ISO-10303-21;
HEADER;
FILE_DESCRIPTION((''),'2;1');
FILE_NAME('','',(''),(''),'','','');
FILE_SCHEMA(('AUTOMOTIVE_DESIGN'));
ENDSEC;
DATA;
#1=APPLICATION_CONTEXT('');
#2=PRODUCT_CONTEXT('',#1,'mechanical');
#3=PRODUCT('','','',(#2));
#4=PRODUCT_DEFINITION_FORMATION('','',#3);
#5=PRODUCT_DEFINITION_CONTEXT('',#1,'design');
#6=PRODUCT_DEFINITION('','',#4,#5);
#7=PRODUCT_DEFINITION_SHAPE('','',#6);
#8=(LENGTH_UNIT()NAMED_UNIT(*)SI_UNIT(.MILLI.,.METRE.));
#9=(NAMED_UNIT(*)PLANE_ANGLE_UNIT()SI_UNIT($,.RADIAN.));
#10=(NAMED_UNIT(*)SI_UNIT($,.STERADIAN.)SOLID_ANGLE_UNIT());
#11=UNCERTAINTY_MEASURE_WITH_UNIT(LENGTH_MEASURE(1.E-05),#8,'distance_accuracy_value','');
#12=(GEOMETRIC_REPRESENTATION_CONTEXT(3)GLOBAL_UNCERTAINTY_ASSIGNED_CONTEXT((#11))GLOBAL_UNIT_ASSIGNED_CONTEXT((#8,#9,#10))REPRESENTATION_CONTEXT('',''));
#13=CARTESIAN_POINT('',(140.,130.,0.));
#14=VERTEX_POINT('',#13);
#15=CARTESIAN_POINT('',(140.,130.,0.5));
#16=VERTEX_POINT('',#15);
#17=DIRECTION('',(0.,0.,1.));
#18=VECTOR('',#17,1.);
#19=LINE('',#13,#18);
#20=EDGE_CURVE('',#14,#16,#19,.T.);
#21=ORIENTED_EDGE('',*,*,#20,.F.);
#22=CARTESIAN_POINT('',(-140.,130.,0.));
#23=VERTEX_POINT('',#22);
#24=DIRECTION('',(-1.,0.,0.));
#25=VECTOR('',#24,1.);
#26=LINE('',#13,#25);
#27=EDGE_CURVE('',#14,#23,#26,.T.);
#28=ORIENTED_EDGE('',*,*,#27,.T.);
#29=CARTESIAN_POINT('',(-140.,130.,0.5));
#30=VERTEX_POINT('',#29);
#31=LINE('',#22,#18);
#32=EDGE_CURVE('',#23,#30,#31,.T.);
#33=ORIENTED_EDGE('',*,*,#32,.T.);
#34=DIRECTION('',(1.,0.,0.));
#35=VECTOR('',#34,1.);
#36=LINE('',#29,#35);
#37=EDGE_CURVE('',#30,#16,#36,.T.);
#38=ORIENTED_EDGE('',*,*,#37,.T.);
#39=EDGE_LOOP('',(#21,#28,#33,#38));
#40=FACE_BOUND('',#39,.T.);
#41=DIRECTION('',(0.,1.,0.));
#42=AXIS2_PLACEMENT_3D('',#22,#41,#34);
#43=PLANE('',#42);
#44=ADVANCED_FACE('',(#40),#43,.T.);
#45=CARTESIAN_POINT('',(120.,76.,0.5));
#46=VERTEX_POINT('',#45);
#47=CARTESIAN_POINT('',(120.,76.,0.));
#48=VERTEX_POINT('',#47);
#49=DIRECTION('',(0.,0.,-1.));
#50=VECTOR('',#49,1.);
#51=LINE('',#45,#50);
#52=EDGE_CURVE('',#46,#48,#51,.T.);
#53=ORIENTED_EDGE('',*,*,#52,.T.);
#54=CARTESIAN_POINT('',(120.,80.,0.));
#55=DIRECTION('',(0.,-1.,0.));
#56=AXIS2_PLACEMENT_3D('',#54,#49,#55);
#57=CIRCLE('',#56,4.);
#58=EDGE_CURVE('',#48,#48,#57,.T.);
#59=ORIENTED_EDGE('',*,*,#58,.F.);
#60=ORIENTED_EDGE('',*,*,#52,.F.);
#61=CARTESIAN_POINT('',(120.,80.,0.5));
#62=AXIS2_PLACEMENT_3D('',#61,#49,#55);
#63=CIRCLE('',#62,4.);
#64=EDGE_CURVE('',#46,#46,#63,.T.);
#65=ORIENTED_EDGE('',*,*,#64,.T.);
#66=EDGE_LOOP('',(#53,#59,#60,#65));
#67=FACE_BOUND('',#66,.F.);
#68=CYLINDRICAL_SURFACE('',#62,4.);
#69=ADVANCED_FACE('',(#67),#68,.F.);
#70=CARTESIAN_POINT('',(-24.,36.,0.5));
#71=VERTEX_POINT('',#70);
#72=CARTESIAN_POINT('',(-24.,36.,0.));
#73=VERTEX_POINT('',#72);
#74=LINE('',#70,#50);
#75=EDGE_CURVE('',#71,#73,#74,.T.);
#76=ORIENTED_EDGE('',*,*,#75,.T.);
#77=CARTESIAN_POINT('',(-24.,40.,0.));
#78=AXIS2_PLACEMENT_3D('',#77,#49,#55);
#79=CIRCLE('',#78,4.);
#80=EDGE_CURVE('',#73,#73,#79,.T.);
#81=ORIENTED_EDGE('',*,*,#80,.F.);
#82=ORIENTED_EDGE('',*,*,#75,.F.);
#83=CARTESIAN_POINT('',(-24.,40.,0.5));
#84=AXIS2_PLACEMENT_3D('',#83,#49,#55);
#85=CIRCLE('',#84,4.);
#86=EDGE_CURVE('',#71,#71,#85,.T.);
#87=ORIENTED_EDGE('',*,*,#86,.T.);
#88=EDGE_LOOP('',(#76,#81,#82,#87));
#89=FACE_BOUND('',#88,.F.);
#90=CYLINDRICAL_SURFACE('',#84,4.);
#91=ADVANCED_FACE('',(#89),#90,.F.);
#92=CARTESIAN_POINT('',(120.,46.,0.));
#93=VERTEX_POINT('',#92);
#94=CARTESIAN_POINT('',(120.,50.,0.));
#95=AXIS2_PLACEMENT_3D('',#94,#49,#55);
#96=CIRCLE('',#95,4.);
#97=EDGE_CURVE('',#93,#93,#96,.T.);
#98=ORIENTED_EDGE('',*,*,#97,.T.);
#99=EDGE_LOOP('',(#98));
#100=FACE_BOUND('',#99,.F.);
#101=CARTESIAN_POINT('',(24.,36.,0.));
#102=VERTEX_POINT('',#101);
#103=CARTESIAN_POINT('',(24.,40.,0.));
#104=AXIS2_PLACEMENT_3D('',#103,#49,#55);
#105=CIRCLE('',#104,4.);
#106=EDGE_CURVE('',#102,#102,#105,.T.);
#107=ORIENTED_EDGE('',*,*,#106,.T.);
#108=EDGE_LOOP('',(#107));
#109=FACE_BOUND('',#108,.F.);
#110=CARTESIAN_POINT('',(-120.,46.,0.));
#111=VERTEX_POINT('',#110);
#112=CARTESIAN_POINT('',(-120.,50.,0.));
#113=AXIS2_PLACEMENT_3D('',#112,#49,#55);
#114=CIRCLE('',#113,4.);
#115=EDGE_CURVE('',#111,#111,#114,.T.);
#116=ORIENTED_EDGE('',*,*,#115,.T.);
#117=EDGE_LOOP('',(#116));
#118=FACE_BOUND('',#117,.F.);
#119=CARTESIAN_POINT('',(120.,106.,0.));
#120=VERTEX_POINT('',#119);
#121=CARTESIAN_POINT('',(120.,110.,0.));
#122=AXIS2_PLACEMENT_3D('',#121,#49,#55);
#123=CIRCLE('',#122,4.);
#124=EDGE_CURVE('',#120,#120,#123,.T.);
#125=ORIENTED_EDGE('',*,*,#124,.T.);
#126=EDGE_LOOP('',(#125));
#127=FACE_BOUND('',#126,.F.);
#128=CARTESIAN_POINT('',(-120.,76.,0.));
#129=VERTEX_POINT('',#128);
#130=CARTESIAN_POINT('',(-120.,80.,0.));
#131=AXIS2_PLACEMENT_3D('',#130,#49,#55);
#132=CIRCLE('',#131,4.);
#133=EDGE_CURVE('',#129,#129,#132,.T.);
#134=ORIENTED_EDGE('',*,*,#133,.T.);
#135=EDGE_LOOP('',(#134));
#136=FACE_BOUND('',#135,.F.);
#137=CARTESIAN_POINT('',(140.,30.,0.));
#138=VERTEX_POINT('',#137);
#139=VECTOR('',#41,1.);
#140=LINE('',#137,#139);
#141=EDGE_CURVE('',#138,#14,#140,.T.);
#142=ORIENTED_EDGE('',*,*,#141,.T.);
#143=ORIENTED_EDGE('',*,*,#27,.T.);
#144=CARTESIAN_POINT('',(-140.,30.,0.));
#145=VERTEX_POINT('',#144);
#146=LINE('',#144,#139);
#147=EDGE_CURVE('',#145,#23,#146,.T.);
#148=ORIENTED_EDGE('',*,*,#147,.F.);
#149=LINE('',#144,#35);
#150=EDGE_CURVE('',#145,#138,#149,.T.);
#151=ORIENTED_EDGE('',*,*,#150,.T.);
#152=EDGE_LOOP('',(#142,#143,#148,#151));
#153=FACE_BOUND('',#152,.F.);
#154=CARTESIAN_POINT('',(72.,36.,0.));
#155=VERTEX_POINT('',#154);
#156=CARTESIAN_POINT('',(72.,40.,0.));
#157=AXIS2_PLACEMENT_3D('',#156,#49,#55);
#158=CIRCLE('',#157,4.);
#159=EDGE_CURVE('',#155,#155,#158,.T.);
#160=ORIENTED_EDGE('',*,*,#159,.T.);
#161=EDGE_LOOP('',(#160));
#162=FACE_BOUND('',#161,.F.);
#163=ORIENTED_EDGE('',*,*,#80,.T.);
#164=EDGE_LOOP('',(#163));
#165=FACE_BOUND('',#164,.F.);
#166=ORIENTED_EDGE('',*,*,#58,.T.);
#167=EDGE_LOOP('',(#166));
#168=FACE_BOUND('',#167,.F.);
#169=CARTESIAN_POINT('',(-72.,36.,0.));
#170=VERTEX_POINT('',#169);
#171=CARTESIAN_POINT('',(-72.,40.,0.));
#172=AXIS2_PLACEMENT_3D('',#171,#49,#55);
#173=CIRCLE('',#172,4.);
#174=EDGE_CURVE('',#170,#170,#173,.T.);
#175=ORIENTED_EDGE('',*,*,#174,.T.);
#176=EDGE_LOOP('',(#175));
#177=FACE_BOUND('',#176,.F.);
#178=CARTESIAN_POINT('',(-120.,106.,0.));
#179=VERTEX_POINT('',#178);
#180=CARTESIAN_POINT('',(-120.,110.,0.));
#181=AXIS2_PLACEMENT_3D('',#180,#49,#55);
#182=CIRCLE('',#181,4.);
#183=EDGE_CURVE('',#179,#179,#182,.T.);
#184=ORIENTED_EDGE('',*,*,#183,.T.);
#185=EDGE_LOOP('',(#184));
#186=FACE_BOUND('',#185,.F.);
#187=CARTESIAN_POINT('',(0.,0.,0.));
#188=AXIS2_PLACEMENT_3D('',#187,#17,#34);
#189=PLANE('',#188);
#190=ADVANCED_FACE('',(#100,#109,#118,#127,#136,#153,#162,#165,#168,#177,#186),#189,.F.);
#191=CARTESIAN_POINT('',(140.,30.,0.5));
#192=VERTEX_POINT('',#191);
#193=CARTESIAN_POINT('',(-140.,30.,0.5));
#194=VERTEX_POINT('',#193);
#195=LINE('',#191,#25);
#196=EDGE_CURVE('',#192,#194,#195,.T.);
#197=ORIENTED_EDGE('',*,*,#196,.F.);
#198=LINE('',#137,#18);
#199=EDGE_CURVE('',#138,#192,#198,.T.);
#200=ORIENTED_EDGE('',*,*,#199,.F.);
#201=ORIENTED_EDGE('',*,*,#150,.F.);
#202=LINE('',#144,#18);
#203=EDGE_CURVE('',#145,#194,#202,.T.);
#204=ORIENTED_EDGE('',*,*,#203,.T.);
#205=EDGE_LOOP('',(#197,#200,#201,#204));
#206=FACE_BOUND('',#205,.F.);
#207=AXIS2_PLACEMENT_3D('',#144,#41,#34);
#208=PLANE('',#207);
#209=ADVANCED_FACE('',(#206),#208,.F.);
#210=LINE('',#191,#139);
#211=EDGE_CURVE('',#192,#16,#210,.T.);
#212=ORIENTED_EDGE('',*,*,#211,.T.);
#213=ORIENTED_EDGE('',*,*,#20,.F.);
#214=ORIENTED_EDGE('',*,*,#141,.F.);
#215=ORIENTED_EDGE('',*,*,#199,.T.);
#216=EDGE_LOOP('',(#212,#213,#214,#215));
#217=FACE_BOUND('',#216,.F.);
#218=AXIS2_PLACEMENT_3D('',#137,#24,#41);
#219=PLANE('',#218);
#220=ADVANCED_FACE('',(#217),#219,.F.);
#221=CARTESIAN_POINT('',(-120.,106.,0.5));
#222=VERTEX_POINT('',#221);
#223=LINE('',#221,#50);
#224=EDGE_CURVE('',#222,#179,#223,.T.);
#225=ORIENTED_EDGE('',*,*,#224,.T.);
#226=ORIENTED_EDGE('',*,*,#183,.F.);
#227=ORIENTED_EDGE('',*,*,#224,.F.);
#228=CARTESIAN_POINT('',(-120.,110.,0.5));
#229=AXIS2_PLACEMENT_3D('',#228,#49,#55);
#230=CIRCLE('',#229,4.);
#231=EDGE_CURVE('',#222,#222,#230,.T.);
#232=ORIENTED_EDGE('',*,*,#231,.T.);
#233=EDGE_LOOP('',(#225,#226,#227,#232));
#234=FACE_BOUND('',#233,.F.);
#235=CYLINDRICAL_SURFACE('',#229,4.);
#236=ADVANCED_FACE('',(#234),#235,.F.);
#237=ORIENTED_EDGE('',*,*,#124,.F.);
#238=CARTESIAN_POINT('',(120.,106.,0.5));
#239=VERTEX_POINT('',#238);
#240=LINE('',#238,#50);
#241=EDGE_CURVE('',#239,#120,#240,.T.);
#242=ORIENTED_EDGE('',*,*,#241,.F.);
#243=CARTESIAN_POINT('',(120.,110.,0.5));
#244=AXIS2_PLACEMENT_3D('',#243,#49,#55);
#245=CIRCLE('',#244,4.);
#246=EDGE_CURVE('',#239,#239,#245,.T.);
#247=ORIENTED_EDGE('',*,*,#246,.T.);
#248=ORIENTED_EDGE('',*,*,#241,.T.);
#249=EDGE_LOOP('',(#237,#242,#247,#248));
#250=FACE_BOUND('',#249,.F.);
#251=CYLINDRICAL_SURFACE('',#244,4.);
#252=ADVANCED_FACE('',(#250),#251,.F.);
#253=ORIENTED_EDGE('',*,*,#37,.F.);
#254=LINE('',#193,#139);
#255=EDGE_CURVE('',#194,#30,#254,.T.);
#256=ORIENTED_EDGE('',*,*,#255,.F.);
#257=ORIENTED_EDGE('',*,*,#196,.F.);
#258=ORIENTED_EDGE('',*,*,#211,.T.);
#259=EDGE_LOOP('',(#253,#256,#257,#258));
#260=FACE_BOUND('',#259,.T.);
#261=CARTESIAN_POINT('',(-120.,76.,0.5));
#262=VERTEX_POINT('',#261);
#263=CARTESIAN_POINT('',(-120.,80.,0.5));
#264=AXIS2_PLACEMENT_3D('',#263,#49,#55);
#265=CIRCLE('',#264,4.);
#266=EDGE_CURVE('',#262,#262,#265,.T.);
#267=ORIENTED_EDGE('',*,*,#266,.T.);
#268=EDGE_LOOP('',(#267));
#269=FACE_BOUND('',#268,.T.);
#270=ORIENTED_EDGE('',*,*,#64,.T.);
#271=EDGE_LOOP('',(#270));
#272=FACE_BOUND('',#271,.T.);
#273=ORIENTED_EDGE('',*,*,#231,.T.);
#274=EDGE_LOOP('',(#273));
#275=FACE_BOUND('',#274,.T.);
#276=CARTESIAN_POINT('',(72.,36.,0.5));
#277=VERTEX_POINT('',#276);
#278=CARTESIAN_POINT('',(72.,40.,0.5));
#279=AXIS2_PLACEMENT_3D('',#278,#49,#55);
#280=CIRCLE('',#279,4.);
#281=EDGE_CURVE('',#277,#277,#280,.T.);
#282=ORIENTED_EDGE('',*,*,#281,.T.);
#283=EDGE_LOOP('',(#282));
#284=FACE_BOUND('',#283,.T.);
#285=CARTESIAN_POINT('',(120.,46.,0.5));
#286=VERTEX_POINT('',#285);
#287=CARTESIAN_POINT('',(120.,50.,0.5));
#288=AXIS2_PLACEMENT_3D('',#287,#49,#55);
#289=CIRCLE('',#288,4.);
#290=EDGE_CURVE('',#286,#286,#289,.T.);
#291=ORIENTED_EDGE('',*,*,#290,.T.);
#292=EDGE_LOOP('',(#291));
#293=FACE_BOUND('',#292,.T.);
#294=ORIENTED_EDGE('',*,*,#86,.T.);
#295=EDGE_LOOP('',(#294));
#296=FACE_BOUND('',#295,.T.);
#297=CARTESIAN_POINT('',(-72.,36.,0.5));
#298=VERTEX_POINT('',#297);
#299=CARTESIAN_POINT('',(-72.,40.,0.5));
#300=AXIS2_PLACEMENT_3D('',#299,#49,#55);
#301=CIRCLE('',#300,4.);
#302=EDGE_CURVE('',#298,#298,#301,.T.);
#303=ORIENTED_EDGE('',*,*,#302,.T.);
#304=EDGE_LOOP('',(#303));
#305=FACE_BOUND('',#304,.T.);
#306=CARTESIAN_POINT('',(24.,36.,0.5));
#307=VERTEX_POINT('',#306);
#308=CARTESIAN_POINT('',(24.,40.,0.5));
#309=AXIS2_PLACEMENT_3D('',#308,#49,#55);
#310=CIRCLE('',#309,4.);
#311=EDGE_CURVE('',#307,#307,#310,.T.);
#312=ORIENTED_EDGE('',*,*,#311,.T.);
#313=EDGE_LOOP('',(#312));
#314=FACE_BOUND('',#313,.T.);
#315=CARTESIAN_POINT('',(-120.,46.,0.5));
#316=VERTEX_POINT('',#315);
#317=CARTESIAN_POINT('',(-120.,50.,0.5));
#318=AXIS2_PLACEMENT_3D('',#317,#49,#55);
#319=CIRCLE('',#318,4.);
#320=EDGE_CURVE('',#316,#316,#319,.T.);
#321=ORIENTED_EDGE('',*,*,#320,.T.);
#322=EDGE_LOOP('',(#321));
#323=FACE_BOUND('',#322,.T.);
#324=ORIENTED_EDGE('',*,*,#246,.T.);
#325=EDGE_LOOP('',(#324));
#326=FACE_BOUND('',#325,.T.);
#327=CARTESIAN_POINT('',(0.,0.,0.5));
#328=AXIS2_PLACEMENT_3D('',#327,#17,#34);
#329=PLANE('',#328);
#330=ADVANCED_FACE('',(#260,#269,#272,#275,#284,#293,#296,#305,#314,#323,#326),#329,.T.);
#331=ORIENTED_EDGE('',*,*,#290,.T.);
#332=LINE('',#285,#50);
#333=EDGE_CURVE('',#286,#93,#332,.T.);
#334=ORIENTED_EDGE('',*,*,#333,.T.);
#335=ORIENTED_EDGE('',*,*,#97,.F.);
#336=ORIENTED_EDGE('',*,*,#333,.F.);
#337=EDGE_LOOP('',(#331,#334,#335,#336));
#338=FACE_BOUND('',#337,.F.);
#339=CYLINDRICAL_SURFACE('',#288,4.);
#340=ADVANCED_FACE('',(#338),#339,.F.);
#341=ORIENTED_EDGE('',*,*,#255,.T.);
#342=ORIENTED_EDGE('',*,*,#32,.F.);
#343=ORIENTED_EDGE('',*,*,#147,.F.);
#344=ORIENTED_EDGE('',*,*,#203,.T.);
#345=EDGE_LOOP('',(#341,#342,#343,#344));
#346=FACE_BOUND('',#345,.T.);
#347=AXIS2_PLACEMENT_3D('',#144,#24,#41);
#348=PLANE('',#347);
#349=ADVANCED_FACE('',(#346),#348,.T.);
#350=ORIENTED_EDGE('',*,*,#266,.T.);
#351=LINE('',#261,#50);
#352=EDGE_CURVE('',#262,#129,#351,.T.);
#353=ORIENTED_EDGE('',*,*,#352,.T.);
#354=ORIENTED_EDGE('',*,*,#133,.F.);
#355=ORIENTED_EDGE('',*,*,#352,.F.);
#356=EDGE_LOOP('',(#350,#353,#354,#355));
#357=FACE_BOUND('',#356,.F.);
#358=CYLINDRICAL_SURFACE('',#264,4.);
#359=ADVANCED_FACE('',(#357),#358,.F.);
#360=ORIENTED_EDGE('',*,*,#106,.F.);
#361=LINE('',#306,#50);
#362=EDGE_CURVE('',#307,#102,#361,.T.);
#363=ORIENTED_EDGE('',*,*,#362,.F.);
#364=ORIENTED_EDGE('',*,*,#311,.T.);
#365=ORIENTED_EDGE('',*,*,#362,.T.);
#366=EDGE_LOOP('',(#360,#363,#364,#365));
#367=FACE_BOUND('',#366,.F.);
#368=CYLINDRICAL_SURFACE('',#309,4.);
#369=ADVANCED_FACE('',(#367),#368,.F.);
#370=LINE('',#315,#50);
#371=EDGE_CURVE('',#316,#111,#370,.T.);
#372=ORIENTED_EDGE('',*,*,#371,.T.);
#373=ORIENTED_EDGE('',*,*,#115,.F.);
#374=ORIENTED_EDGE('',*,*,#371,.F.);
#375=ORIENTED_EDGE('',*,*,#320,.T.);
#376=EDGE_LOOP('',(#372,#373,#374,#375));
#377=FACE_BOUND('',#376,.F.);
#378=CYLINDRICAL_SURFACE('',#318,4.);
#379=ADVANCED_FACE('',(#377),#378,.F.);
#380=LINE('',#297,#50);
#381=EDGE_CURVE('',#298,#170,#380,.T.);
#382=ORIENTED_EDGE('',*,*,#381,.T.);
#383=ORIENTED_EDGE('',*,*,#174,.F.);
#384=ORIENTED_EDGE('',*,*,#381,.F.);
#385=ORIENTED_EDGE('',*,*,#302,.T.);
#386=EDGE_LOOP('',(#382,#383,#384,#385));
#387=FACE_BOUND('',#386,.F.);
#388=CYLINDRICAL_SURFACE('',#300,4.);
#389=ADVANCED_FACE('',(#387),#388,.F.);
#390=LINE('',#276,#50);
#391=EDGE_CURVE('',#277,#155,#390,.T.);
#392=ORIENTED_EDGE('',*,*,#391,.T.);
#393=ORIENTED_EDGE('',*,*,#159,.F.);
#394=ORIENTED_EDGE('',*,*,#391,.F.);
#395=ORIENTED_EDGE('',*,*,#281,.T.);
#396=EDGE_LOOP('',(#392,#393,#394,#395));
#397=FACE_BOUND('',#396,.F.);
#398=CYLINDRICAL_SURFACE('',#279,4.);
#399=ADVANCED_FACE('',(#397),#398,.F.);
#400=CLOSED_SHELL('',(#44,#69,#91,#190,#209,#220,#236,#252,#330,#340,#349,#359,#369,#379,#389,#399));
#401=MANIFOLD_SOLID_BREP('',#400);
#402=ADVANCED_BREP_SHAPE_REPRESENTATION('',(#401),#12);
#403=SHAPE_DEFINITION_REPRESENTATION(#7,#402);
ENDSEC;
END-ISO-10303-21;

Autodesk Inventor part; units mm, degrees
ref_plane "YZ Plane" through (0, 0, 0) normal (1, 0, 0) x (0, 1, 0)
ref_plane "XZ Plane" through (0, 0, 0) normal (0, 1, 0) x (-1, 0, 0)
ref_plane "XY Plane" through (0, 0, 0) normal (0, 0, 1) x (1, 0, 0)
sketch "Sketch1" plane through (0, 0, 0) normal (0, 0, 1) x (1, 0, 0)
  line L0 (-140, 30) -> (-140, 130)
  line L1 (-140, 130) -> (0, 130)
  line L2 (0, 130) -> (0, 0) construction
  line L3 (140, 30) -> (140, 130)
  line L4 (140, 130) -> (0, 130)
  line L5 (-140, 30) -> (-100, 30)
  line L6 (100, 30) -> (140, 30)
  line L7 (-100, 130) -> (-100, 30)
  line L8 (100, 130) -> (100, 30)
  line L9 (-100, 30) -> (100, 30)
  point P0 (-100, 30)
  point P1 (100, 30)
  dimension "d0" = 140
  dimension "d57" = 40
  dimension "d58" = 40
  dimension "d88" = 100
extrude "Plate3" add sketch "Sketch1" along normal blind 0.5
sketch "Sketch7" plane through (0, 0, 0.5) normal (0, 0, 1) x (1, 0, 0)
  line L0 (-140, 130) -> (140, 130) projected
  line L1 (-140, 30) -> (-140, 130) projected
  line L2 (140, 130) -> (140, 30) projected
  point P0 (0, 0)
  point P1 (-120, 110)
  point P2 (-120, 80)
  point P3 (-120, 50)
  point P4 (120, 110)
  point P5 (120, 80)
  point P6 (120, 50)
  dimension "d98" = 20
  dimension "d99" = 50
  dimension "d100" = 80
  dimension "d101" = 20
  dimension "d102" = 20
  dimension "d103" = 50
  dimension "d104" = 80
  dimension "d105" = 20
hole "Hole6" at (-120, 110, 0.5) at (-120, 80, 0.5) at (-120, 50, 0.5) at (120, 110, 0.5) at (120, 80, 0.5) at (120, 50, 0.5) direction (0, 0, -1) diameter 8 end through all
sketch "Sketch8" plane through (0, 0, 0.5) normal (0, 0, 1) x (1, 0, 0)
  line L0 (0, -26) -> (0, 156) projected
  line L1 (140, 30) -> (-140, 30) projected
  point P0 (0, 0)
  point P1 (-72, 40)
  point P2 (-24, 40)
  point P3 (24, 40)
  point P4 (72, 40)
  dimension "d117" = 24
  dimension "d118" = 48
  dimension "d119" = 48
  dimension "d120" = 48
  dimension "d121" = 10
hole "Hole7" at (-72, 40, 0.5) at (-24, 40, 0.5) at (24, 40, 0.5) at (72, 40, 0.5) direction (0, 0, -1) diameter 8 end through all
equation "\"d96\" = Thickness"
equation "\"d111\" = Thickness"
equation "\"d90\" = Thickness"
equation "\"BendRadius\" = Thickness"
equation "\"BendReliefWidth\" = Thickness"
equation "\"BendReliefDepth\" = 0.5 * Thickness"
equation "\"CornerReliefSize\" = 4 * Thickness"
equation "\"MinimumRemnant\" = 2 * Thickness"
equation "\"TransitionRadius\" = BendRadius"
equation "\"JacobiRadiusSize\" = BendRadius"
equation "\"GapSize\" = Thickness"
equation "\"Thickness\" = 0.5"
properties part number "New side"
